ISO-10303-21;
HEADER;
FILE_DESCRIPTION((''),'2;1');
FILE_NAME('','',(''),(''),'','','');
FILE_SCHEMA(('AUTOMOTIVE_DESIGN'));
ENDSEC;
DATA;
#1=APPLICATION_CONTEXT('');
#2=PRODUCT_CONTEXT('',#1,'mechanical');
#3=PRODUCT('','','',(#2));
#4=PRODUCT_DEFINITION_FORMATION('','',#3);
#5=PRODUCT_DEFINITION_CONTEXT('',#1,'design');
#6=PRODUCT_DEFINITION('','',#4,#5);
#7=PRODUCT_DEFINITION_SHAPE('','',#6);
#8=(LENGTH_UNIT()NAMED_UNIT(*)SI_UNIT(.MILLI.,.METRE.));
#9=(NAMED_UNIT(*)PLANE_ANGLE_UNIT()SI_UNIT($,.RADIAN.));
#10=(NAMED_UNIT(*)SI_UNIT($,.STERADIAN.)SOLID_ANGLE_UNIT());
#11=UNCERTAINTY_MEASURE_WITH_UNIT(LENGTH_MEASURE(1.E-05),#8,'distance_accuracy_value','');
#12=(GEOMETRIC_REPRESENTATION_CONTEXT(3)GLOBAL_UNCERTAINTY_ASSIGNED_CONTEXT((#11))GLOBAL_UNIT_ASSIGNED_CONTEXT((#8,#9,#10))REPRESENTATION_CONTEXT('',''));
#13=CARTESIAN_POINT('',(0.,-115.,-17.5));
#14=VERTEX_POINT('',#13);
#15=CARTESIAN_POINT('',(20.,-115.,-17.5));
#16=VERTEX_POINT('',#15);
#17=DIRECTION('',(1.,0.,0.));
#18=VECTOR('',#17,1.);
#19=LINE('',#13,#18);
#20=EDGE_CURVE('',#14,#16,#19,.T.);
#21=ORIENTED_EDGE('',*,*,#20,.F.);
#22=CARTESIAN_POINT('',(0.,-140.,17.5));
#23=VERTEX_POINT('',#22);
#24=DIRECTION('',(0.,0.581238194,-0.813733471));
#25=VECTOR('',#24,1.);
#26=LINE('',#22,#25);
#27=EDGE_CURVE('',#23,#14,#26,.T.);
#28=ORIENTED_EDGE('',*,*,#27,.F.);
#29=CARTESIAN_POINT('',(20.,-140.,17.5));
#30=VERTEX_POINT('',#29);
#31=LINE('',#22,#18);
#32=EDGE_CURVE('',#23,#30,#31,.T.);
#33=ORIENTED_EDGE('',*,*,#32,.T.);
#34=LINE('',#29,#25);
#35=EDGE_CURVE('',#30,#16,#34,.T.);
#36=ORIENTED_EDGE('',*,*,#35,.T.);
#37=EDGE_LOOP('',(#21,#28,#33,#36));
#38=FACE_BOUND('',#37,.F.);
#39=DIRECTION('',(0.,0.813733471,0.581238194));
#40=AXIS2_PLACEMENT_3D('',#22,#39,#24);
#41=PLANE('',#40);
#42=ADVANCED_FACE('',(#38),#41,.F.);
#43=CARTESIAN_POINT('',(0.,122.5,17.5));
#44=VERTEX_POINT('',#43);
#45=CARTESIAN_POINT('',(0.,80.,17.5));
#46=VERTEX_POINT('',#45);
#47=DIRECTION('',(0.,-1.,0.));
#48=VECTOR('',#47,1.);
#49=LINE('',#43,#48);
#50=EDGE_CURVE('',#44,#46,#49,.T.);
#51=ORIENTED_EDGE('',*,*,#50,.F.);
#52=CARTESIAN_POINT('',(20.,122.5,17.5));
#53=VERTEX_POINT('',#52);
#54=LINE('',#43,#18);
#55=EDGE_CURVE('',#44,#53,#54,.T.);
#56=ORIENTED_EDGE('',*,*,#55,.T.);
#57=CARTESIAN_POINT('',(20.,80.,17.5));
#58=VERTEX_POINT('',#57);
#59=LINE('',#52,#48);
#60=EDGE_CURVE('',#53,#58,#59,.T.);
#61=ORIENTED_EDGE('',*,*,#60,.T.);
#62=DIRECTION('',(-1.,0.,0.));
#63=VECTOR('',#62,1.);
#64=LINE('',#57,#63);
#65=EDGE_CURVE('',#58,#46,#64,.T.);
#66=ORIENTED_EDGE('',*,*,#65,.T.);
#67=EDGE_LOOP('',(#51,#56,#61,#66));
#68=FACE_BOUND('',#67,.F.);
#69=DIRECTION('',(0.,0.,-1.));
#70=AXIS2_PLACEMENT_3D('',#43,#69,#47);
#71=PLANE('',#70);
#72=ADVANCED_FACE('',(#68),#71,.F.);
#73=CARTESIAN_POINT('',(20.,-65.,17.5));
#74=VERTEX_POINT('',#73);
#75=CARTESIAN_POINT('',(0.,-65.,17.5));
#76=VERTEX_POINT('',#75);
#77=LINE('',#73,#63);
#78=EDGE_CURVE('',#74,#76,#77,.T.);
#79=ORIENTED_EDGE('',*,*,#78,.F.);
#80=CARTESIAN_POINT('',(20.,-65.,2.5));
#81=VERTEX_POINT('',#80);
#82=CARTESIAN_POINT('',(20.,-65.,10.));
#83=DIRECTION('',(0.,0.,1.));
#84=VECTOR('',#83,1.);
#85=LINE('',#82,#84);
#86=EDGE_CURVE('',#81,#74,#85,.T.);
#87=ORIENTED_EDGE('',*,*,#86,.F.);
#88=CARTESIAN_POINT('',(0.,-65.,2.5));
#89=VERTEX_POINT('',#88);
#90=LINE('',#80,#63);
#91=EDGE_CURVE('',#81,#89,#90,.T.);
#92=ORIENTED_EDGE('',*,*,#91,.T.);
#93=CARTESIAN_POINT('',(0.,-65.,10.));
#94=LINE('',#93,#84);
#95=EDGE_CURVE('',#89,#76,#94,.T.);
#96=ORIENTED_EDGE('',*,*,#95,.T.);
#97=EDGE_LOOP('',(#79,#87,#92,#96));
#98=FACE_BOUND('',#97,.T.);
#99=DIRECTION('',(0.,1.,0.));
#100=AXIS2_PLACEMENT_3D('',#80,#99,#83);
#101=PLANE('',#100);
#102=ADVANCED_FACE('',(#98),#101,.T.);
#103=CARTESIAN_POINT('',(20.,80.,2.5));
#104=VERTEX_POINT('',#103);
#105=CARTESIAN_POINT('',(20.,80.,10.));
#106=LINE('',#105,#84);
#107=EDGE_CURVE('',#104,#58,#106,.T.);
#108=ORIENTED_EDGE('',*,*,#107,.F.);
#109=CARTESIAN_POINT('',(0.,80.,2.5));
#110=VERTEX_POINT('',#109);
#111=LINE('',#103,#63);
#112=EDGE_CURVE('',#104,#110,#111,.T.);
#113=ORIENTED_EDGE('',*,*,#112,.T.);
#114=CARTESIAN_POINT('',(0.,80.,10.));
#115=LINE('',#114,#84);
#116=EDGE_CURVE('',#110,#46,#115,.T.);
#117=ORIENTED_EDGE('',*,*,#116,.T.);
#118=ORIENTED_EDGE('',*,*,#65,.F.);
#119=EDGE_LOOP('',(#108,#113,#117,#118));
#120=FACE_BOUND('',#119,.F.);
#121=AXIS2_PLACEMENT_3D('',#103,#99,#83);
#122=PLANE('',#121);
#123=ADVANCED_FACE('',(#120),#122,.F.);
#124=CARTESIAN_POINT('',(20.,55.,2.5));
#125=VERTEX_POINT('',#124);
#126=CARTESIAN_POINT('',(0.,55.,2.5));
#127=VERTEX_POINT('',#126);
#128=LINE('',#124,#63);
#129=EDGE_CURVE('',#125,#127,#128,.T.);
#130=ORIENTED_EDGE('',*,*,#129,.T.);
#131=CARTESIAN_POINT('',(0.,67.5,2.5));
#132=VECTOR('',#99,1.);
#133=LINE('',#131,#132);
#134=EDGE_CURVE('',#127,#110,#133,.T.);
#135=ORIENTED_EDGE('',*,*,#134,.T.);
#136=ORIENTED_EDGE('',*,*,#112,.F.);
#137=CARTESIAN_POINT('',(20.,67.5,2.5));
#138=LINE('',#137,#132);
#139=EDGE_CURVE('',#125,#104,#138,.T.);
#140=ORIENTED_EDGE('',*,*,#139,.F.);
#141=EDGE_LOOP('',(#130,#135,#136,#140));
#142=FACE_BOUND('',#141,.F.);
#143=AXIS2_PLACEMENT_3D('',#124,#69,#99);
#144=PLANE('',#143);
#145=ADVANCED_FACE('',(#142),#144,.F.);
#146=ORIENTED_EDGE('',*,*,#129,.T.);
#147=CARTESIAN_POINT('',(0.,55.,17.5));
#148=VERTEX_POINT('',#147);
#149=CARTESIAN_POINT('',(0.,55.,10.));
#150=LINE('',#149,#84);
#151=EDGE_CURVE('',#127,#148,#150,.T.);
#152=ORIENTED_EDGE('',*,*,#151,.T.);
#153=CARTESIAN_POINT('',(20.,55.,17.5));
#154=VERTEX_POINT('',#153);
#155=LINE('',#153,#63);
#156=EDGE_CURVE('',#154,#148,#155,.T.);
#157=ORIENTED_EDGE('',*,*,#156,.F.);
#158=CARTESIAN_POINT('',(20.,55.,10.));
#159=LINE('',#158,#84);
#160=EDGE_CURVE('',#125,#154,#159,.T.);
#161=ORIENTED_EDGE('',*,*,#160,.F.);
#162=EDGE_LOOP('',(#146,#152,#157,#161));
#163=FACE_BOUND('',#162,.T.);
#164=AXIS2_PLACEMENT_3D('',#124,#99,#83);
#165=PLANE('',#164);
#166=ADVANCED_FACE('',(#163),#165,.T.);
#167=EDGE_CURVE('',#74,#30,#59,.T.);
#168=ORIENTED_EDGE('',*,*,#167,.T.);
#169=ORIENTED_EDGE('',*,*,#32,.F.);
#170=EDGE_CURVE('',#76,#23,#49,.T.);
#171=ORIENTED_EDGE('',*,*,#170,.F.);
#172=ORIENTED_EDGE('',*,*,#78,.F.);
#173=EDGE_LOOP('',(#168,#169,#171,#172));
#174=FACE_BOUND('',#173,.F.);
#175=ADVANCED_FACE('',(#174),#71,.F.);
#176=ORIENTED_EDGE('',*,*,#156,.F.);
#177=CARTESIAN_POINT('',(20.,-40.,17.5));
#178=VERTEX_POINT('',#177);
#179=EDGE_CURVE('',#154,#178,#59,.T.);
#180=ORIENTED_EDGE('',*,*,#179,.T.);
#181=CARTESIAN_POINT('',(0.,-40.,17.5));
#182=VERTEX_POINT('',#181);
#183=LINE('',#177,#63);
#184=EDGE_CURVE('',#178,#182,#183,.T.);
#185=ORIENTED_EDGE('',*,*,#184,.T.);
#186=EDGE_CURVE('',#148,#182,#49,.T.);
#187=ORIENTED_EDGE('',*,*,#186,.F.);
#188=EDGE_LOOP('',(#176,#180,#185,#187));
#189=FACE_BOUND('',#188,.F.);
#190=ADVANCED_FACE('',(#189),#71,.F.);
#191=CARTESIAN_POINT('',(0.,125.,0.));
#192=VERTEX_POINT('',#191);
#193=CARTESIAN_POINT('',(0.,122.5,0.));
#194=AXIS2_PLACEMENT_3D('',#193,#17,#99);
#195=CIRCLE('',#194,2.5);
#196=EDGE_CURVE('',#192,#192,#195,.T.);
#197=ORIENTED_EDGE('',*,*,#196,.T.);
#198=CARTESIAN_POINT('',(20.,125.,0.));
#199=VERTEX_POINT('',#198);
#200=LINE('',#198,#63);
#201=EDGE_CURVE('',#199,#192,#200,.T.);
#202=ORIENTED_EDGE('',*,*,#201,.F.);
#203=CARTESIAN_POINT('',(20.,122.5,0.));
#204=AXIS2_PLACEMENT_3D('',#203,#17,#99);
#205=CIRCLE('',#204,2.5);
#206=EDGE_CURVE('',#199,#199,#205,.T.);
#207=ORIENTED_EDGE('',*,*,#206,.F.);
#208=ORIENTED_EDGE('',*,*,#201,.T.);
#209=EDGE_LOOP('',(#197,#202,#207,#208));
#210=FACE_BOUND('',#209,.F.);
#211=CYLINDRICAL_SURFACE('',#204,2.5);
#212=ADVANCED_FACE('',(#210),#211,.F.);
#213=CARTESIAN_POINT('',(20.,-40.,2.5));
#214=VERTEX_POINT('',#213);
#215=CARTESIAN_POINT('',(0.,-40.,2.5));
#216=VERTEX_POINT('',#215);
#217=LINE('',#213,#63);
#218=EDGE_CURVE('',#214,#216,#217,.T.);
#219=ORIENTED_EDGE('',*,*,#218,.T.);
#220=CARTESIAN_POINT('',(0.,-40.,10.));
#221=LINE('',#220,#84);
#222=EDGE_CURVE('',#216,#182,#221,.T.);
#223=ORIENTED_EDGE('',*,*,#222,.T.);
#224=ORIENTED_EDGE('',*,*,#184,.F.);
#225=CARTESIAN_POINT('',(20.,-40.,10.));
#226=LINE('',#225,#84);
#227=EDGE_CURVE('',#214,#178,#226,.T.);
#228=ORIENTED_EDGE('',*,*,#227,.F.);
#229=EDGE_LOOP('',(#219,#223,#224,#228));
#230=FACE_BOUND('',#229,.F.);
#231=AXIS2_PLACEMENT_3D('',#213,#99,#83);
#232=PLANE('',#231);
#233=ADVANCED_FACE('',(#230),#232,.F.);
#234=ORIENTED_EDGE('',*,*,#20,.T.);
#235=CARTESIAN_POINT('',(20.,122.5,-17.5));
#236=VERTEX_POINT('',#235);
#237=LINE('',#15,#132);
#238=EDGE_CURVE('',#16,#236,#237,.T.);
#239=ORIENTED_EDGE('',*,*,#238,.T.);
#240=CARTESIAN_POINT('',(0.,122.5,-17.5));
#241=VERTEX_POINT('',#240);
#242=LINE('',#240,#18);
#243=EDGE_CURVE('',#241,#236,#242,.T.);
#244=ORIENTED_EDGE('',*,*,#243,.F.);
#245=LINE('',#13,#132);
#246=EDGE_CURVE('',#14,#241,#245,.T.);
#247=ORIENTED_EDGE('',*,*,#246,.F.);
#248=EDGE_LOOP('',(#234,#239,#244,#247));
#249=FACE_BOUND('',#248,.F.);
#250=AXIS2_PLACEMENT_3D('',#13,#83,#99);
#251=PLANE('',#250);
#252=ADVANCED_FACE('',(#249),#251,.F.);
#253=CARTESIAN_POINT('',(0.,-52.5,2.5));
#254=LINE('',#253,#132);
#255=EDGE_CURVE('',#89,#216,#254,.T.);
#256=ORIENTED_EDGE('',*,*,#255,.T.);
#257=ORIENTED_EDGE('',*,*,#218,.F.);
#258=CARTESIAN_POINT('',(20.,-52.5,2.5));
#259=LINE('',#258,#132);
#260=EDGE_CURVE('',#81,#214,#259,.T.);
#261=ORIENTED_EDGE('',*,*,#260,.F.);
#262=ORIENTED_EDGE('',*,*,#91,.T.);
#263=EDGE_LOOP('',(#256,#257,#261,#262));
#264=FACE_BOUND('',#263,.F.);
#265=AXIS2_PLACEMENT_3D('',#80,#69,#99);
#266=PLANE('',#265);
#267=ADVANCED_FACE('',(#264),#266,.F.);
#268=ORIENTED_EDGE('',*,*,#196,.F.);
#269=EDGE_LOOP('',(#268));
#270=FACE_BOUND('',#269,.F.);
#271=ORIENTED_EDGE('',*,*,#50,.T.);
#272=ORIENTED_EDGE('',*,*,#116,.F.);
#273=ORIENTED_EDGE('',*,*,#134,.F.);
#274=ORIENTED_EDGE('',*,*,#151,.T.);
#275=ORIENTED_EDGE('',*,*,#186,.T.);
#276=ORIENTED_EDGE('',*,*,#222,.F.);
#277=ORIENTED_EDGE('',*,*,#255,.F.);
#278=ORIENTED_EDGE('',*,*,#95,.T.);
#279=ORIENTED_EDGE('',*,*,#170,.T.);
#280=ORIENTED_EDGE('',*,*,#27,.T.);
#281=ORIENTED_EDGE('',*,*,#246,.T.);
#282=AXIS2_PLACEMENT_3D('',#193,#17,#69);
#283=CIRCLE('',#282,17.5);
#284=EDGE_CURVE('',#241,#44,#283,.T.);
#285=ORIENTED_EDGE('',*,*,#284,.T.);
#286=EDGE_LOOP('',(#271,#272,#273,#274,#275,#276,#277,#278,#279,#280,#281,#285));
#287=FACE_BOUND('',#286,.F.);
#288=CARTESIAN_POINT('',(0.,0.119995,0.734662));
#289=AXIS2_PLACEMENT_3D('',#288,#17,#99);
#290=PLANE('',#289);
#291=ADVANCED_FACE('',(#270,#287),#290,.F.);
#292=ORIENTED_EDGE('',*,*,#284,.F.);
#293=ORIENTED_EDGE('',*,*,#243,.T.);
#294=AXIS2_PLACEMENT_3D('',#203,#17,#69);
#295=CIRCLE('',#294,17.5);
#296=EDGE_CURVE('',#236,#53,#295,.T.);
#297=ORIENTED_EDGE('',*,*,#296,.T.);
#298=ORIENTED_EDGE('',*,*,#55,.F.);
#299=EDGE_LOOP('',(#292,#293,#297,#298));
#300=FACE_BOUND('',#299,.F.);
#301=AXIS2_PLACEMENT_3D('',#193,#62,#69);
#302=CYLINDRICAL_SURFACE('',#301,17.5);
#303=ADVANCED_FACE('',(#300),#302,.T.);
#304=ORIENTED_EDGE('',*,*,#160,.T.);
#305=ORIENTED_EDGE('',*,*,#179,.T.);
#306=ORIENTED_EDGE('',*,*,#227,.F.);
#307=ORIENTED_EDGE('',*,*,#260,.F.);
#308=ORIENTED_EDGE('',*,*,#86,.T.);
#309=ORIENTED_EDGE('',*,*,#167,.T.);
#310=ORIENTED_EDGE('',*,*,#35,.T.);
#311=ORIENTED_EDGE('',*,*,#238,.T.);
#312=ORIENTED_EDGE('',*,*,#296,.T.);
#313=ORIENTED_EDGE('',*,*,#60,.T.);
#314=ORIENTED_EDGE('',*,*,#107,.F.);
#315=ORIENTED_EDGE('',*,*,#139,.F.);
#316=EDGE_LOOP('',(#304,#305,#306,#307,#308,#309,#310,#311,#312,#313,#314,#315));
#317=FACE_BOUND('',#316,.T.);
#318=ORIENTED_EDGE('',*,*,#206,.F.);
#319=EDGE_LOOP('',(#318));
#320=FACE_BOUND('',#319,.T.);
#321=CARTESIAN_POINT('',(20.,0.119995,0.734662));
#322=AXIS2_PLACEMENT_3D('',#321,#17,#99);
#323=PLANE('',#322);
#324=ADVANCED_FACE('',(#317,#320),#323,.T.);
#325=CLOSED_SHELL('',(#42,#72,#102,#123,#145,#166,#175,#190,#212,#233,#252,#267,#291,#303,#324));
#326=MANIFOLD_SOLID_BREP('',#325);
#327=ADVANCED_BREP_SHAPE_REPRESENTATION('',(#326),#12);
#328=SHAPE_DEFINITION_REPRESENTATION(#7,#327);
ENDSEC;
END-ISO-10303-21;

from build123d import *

# Parameters (mm, degrees)
F1_DEPTH = 20
F2_W     = 25
F2_H     = 15
F3_DEPTH = 20
F4_R     = 2.5
F5_DEPTH = 20


with BuildPart() as f1:
    # F0 (on Right) → F1 (new body)
    with BuildSketch(Plane.YZ):
        with BuildLine():
            ThreePointArc((122.5, -17.5), (140, 0), (122.5, 17.5))
            Line((122.5, 17.5), (-140, 17.5))
            Line((-140, 17.5), (-115, -17.5))
            Line((-115, -17.5), (122.5, -17.5))
        make_face()
    extrude(amount=F1_DEPTH)

    # F2 (on face) → F3 (cut)
    with BuildSketch(Plane.YZ.offset(20)):
        with Locations((-52.5, 10)):
            Rectangle(F2_W, F2_H)
        with Locations((67.5, 10)):
            Rectangle(F2_W, F2_H)
    extrude(amount=-F3_DEPTH, mode=Mode.SUBTRACT)

    # F4 (on face) → F5 (cut)
    with BuildSketch(Plane.YZ.offset(20)):
        with Locations((122.5, 0)):
            Circle(F4_R)
    extrude(amount=-F5_DEPTH, mode=Mode.SUBTRACT)


solid = f1.part
